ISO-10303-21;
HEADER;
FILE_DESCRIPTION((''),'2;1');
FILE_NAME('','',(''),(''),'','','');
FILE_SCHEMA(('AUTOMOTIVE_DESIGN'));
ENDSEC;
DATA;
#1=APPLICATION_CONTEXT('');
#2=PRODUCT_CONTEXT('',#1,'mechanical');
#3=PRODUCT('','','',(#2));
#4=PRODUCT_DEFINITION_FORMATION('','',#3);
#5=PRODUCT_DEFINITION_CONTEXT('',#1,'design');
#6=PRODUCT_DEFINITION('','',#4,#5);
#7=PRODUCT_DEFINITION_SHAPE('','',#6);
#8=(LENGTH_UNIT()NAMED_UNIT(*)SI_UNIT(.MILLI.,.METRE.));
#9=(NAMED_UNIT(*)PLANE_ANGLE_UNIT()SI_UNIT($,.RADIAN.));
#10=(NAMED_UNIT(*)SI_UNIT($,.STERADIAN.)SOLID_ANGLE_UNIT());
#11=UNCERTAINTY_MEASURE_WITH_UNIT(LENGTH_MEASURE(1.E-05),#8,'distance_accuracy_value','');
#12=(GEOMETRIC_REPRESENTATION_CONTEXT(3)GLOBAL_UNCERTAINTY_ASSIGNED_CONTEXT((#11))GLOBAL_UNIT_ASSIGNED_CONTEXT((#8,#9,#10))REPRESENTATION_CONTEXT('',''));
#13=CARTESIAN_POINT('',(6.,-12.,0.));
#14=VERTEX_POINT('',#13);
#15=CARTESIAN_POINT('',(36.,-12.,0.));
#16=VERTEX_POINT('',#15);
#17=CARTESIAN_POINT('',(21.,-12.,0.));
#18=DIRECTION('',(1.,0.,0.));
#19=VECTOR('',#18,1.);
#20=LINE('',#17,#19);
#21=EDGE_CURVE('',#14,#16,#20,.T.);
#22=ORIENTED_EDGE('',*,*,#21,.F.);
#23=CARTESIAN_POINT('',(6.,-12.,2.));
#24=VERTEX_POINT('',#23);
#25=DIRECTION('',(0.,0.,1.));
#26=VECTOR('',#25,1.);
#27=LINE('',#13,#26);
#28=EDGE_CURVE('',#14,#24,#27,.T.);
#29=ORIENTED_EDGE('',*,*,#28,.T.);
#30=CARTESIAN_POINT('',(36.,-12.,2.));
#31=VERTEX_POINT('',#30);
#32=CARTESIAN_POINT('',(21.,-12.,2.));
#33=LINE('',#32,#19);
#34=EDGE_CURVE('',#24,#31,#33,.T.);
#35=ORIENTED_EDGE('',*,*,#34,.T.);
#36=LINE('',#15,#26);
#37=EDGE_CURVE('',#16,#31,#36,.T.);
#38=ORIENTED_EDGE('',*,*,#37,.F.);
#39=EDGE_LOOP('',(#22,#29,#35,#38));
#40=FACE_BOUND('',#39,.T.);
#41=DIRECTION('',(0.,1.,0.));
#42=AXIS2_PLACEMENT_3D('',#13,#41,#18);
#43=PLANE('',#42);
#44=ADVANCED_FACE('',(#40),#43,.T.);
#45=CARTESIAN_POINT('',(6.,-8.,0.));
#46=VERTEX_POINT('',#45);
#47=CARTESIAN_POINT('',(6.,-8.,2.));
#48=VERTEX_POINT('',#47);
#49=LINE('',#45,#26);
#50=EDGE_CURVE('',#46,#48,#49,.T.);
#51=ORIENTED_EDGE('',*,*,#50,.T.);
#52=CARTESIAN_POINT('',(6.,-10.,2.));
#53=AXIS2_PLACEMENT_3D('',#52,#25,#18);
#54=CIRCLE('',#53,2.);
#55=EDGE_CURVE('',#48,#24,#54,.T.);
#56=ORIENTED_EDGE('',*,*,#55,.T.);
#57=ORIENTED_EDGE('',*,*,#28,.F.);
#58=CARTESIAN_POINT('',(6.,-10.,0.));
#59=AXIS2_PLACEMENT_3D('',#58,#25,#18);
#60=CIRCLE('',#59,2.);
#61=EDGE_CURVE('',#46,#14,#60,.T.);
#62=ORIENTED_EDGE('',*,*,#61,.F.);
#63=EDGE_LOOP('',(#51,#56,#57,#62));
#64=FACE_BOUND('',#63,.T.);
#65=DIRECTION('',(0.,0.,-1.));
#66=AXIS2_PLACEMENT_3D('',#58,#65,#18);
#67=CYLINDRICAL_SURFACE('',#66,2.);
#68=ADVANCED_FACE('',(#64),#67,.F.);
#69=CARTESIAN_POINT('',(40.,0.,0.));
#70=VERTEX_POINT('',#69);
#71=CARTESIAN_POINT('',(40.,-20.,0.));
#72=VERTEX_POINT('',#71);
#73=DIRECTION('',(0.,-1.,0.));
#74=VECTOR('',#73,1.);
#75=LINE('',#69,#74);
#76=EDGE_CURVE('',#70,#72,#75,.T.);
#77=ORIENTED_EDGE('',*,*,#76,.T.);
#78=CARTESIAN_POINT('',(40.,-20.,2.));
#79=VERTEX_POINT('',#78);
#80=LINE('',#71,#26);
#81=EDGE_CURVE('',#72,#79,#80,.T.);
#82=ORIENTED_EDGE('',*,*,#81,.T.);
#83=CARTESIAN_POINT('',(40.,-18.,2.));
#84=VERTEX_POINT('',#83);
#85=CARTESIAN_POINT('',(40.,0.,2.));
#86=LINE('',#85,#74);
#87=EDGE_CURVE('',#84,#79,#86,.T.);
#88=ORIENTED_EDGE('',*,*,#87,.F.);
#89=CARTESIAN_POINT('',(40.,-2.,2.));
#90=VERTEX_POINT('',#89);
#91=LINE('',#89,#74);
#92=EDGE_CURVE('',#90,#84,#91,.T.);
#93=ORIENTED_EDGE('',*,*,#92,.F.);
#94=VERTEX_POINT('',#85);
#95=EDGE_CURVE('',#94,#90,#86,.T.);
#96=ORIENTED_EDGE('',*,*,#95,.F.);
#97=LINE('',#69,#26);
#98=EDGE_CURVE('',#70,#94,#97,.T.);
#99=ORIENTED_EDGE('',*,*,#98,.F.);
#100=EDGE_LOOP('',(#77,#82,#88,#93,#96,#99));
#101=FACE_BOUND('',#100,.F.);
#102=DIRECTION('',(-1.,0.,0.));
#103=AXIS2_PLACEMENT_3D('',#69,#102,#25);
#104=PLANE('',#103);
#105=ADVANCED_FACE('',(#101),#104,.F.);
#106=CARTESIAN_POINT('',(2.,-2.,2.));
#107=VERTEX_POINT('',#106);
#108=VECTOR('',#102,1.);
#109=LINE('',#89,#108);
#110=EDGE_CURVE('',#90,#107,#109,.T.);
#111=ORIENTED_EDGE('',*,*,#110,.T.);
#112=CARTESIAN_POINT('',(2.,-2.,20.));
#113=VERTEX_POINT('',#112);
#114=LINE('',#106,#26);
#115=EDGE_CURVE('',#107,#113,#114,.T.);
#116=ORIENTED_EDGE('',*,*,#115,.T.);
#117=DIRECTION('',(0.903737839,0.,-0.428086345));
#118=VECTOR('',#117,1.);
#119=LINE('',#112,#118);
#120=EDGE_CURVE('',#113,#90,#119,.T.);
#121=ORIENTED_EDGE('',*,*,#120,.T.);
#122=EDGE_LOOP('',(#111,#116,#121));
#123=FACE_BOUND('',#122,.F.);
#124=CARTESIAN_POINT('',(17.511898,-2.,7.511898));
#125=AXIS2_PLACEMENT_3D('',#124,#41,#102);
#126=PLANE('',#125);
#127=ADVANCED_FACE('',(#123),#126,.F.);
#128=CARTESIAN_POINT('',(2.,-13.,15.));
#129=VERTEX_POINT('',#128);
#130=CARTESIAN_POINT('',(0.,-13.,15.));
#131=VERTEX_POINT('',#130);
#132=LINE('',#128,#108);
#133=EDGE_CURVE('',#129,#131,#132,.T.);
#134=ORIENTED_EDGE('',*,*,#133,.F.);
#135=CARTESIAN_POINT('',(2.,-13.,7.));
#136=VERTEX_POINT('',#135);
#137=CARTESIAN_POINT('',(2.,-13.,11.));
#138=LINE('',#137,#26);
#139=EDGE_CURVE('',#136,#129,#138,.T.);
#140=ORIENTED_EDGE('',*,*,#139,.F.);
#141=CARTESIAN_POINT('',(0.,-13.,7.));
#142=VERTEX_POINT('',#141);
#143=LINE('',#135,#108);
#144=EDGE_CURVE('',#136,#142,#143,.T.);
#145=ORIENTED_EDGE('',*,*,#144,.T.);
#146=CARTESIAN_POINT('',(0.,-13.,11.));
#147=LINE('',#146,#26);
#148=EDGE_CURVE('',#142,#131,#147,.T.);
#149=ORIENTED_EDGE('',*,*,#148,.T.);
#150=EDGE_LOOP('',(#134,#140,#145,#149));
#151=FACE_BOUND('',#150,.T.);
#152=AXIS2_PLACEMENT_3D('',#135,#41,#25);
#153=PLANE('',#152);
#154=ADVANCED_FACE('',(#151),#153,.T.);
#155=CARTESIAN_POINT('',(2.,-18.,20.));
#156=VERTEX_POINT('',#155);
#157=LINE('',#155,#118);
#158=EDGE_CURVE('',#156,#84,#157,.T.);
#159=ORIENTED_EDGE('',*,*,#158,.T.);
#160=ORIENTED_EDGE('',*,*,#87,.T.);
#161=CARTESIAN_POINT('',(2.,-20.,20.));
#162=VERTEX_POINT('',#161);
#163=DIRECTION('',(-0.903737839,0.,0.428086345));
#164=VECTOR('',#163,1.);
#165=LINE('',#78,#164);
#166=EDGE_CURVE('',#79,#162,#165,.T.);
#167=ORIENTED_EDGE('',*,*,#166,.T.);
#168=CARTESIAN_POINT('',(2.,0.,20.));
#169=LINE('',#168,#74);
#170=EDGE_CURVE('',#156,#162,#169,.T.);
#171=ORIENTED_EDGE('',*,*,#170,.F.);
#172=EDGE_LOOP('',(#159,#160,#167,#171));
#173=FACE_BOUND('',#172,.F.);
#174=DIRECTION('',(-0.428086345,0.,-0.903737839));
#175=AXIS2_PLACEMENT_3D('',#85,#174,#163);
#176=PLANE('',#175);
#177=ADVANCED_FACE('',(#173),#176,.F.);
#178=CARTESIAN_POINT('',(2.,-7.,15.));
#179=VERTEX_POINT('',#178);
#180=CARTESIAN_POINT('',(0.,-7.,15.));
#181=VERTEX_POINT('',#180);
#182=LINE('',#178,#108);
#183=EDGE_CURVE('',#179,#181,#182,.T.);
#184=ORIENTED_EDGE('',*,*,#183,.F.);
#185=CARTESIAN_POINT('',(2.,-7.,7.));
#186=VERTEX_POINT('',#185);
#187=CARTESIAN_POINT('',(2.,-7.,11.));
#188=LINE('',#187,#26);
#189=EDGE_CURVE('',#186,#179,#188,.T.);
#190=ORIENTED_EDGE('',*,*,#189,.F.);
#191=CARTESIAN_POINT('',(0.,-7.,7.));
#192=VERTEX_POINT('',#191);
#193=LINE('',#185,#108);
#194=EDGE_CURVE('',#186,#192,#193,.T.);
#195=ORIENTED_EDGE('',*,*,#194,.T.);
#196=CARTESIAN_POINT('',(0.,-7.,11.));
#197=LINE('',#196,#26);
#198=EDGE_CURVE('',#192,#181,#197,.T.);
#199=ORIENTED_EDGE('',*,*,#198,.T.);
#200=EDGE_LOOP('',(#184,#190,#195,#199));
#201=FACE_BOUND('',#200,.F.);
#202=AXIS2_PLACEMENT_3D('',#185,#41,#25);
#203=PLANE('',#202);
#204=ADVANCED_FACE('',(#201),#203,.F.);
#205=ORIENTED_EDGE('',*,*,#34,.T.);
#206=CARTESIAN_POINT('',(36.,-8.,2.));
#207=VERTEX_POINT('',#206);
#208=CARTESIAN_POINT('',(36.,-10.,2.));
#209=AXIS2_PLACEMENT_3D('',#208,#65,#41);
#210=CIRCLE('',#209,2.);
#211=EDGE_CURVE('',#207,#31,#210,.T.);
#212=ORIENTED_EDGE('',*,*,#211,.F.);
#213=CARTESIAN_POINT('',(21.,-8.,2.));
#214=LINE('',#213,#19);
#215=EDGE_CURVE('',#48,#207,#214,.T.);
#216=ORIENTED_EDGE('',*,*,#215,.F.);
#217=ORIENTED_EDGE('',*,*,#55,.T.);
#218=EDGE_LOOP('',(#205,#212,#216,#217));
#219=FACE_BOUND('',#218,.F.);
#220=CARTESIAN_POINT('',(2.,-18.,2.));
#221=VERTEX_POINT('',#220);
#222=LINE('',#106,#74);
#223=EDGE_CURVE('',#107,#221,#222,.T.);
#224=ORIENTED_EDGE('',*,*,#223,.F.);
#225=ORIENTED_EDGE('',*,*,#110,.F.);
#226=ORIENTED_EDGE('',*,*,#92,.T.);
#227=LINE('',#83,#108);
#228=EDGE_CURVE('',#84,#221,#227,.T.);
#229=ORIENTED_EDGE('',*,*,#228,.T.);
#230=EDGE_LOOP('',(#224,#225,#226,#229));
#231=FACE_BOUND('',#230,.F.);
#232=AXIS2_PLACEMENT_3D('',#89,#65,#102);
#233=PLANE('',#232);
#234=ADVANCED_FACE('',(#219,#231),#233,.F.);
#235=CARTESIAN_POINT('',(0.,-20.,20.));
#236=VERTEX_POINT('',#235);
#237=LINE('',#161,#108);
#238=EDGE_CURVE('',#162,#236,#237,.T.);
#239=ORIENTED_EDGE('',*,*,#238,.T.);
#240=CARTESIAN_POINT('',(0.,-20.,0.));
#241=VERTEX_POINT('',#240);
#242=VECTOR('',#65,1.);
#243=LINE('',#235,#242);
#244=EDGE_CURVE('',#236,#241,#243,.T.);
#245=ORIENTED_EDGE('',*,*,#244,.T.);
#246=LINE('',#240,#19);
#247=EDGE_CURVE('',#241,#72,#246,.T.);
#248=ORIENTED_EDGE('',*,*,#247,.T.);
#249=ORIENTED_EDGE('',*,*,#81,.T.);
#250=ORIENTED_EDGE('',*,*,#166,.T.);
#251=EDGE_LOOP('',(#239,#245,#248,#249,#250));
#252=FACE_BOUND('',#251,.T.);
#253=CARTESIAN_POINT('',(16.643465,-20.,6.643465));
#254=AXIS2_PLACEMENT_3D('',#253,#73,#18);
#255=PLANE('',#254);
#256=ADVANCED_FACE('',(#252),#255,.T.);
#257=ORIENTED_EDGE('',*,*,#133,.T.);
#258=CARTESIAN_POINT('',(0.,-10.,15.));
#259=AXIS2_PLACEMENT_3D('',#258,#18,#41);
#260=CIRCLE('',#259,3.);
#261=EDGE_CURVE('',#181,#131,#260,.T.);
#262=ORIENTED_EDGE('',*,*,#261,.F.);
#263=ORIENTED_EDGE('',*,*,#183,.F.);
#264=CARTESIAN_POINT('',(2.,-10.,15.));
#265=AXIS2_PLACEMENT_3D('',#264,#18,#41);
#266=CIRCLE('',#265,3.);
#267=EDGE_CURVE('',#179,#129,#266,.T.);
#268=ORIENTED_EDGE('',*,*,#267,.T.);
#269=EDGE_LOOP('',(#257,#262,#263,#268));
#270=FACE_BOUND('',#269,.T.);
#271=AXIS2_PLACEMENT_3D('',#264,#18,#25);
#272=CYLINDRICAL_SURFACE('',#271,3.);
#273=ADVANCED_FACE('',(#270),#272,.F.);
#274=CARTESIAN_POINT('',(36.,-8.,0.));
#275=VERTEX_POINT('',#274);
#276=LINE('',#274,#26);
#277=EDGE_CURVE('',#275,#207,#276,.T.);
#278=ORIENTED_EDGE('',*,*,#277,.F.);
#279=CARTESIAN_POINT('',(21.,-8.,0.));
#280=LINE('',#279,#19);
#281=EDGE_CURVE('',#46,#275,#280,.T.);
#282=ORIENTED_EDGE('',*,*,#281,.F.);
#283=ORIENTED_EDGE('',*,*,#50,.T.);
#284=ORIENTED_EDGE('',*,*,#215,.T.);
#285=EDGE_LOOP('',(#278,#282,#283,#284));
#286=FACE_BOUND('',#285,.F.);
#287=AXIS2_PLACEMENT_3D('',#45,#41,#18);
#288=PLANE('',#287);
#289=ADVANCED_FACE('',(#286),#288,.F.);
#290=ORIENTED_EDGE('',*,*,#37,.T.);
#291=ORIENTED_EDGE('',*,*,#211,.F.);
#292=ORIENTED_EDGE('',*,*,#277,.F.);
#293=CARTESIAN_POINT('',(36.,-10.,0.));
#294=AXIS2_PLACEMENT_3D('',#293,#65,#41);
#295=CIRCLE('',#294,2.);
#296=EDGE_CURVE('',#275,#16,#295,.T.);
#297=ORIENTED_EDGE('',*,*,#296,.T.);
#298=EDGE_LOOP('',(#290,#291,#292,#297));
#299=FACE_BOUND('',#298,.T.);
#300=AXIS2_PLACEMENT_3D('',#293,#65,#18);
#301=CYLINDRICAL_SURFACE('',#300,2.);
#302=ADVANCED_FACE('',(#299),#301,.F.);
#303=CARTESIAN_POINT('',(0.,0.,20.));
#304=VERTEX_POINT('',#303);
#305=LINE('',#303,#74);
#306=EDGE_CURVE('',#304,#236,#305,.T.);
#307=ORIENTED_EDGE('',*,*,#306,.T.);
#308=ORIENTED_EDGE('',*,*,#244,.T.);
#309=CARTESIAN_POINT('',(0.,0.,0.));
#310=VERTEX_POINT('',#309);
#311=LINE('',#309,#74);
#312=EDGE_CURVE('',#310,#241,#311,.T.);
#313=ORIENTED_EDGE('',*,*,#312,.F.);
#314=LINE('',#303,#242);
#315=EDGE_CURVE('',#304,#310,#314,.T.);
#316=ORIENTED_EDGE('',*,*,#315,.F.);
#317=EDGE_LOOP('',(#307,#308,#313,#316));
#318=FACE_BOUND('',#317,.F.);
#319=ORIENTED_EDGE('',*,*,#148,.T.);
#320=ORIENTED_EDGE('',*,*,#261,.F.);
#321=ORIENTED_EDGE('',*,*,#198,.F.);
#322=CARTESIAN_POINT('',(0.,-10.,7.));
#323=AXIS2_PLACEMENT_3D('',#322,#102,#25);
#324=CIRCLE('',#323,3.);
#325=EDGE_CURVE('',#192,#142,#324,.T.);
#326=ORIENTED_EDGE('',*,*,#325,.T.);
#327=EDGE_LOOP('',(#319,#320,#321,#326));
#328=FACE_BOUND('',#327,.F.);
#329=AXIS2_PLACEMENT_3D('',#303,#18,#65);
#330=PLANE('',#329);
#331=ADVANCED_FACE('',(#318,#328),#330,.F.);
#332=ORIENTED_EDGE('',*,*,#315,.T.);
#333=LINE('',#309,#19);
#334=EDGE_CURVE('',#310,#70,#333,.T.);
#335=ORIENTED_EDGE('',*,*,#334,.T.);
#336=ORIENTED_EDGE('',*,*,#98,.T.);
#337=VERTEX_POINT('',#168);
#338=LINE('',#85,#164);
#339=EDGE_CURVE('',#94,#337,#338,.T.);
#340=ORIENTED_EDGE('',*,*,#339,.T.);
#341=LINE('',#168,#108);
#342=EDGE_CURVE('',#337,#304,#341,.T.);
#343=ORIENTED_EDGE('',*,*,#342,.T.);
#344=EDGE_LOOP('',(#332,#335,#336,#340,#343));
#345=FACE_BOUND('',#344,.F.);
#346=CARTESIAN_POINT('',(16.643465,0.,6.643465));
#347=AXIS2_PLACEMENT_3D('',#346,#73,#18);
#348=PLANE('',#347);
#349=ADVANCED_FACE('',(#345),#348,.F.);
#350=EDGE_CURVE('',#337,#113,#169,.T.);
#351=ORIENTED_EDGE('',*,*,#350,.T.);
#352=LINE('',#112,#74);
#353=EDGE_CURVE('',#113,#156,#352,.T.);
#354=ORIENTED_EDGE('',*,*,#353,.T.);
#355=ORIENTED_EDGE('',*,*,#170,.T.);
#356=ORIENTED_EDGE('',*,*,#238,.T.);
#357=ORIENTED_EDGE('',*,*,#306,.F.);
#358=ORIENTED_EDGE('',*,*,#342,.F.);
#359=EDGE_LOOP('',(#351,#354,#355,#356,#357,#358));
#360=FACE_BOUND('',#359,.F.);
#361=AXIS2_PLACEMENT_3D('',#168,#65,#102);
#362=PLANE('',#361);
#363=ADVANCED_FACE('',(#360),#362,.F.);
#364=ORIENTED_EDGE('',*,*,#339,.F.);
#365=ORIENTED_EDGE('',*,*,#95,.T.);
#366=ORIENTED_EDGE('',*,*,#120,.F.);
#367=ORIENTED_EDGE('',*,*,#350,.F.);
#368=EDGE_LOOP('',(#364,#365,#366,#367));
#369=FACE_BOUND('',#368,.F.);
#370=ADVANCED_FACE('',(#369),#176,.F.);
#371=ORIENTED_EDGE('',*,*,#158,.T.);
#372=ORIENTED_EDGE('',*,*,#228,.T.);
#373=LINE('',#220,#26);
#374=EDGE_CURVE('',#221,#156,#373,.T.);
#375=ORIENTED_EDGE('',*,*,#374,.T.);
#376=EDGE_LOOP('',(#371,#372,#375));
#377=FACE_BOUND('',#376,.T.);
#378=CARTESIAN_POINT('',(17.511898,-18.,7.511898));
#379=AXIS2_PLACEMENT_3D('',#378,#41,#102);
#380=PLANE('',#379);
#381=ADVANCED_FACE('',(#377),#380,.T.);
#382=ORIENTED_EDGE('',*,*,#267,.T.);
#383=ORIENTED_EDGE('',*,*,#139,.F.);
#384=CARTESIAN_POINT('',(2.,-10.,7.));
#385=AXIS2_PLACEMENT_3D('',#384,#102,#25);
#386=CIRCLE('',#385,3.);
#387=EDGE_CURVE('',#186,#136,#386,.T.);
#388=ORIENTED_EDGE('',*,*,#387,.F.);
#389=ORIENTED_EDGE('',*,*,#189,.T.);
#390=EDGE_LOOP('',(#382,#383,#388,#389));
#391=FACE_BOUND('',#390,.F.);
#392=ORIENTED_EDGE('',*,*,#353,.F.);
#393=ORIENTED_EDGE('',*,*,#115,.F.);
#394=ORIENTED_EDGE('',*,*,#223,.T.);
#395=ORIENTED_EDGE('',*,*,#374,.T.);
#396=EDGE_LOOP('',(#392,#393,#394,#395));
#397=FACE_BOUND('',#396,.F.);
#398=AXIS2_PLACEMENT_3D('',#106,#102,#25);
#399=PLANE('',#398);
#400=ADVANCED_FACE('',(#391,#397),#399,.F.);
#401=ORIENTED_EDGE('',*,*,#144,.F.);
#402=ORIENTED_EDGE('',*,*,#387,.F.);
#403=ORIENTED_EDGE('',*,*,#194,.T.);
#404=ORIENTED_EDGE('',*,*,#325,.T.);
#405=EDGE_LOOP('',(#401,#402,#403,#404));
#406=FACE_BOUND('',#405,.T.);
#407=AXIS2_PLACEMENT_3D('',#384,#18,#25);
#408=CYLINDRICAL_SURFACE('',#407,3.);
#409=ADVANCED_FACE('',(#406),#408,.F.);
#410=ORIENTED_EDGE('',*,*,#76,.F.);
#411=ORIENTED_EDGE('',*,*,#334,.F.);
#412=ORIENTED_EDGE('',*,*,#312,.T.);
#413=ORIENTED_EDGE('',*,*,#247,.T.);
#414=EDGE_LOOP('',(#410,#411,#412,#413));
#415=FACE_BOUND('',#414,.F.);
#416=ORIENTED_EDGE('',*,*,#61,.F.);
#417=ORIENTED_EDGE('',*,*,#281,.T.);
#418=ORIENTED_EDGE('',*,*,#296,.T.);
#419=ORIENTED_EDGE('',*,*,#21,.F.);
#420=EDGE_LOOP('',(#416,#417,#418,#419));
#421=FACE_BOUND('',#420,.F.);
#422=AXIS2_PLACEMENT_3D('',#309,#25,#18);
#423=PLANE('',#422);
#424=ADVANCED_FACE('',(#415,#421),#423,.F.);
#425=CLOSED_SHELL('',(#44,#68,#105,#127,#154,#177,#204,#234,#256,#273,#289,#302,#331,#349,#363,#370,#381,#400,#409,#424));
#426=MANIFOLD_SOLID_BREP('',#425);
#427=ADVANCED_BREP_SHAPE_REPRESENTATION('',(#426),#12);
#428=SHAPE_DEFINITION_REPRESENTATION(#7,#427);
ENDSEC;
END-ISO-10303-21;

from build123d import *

# Parameters (mm, degrees)
CYLINDER002_R             = 3
CYLINDER002_DEPTH         = 2
BOX001_W                  = 8
BOX001_H                  = 6
BOX001_DEPTH              = 2
CYLINDER003_R             = 3
CYLINDER003_DEPTH         = 2
FUSION001_PLACEMENT_ANGLE = 270
CYLINDER_R                = 2
CYLINDER_DEPTH            = 2
BOX_W                     = 30
BOX_H                     = 4
BOX_DEPTH                 = 2
CYLINDER001_R             = 2
CYLINDER001_DEPTH         = 2
PAD001_DEPTH              = 16
PAD_DEPTH                 = 20


with BuildPart() as cylinder002:
    # Cylinder002 → Cylinder002 (new body)
    with BuildSketch(Plane.XY):
        Circle(CYLINDER002_R)
    extrude(amount=CYLINDER002_DEPTH)


with BuildPart() as cube001:
    # Box001 → Box001 (new body)
    with BuildSketch(Plane(origin=(0, -3, 0), x_dir=(1, 0, 0), z_dir=(0, 0, 1))):
        with Locations((4, 3)):
            Rectangle(BOX001_W, BOX001_H)
    extrude(amount=BOX001_DEPTH)


with BuildPart() as longhole002:
    # Cylinder003 → Cylinder003 (new body)
    with BuildSketch(Plane(origin=(8, 0, 0), x_dir=(1, 0, 0), z_dir=(0, 0, 1))):
        Circle(CYLINDER003_R)
    extrude(amount=CYLINDER003_DEPTH)

    # Fusion001: union Cylinder002, Cube001
    add(cylinder002.part)
    add(cube001.part)


with BuildPart() as longhole002_1:
    # Fusion001 placement: moved
    add(longhole002.part.moved(Location((2, -10, 7))).rotate(Axis((2, -10, 7), (0, 1, 0)), FUSION001_PLACEMENT_ANGLE))


with BuildPart() as cylinder:
    # Cylinder → Cylinder (new body)
    with BuildSketch(Plane.XY):
        Circle(CYLINDER_R)
    extrude(amount=CYLINDER_DEPTH)


with BuildPart() as cube:
    # Box → Box (new body)
    with BuildSketch(Plane(origin=(0, -2, 0), x_dir=(1, 0, 0), z_dir=(0, 0, 1))):
        with Locations((15, 2)):
            Rectangle(BOX_W, BOX_H)
    extrude(amount=BOX_DEPTH)


with BuildPart() as longhole1:
    # Cylinder001 → Cylinder001 (new body)
    with BuildSketch(Plane(origin=(30, 0, 0), x_dir=(1, 0, 0), z_dir=(0, 0, 1))):
        Circle(CYLINDER001_R)
    extrude(amount=CYLINDER001_DEPTH)

    # Fusion: union Cylinder, Cube
    add(cylinder.part)
    add(cube.part)


with BuildPart() as longhole1_1:
    # Fusion placement: moved
    add(longhole1.part.moved(Location((6, -10, 0))))


with BuildPart() as body001:
    # Sketch001 → Pad001 (new body)
    with BuildSketch(Plane.XZ):
        Polygon((2, 20), (40, 2), (2, 2), align=None)
    extrude(amount=PAD001_DEPTH)


with BuildPart() as body001_1:
    # Body001 placement: moved
    add(body001.part.moved(Location((0, -2, 0))))


with BuildPart() as modularmountingbracket:
    # Sketch → Pad (new body)
    with BuildSketch(Plane.XZ):
        Polygon((0, 20), (0, 0), (40, 0), (40, 2), (2, 20), align=None)
    extrude(amount=PAD_DEPTH)

    # Cut: cut Body001
    add(body001_1.part, mode=Mode.SUBTRACT)

    # Cut001: cut LongHole1
    add(longhole1_1.part, mode=Mode.SUBTRACT)

    # Cut002: cut LongHole002
    add(longhole002_1.part, mode=Mode.SUBTRACT)


solid = modularmountingbracket.part
